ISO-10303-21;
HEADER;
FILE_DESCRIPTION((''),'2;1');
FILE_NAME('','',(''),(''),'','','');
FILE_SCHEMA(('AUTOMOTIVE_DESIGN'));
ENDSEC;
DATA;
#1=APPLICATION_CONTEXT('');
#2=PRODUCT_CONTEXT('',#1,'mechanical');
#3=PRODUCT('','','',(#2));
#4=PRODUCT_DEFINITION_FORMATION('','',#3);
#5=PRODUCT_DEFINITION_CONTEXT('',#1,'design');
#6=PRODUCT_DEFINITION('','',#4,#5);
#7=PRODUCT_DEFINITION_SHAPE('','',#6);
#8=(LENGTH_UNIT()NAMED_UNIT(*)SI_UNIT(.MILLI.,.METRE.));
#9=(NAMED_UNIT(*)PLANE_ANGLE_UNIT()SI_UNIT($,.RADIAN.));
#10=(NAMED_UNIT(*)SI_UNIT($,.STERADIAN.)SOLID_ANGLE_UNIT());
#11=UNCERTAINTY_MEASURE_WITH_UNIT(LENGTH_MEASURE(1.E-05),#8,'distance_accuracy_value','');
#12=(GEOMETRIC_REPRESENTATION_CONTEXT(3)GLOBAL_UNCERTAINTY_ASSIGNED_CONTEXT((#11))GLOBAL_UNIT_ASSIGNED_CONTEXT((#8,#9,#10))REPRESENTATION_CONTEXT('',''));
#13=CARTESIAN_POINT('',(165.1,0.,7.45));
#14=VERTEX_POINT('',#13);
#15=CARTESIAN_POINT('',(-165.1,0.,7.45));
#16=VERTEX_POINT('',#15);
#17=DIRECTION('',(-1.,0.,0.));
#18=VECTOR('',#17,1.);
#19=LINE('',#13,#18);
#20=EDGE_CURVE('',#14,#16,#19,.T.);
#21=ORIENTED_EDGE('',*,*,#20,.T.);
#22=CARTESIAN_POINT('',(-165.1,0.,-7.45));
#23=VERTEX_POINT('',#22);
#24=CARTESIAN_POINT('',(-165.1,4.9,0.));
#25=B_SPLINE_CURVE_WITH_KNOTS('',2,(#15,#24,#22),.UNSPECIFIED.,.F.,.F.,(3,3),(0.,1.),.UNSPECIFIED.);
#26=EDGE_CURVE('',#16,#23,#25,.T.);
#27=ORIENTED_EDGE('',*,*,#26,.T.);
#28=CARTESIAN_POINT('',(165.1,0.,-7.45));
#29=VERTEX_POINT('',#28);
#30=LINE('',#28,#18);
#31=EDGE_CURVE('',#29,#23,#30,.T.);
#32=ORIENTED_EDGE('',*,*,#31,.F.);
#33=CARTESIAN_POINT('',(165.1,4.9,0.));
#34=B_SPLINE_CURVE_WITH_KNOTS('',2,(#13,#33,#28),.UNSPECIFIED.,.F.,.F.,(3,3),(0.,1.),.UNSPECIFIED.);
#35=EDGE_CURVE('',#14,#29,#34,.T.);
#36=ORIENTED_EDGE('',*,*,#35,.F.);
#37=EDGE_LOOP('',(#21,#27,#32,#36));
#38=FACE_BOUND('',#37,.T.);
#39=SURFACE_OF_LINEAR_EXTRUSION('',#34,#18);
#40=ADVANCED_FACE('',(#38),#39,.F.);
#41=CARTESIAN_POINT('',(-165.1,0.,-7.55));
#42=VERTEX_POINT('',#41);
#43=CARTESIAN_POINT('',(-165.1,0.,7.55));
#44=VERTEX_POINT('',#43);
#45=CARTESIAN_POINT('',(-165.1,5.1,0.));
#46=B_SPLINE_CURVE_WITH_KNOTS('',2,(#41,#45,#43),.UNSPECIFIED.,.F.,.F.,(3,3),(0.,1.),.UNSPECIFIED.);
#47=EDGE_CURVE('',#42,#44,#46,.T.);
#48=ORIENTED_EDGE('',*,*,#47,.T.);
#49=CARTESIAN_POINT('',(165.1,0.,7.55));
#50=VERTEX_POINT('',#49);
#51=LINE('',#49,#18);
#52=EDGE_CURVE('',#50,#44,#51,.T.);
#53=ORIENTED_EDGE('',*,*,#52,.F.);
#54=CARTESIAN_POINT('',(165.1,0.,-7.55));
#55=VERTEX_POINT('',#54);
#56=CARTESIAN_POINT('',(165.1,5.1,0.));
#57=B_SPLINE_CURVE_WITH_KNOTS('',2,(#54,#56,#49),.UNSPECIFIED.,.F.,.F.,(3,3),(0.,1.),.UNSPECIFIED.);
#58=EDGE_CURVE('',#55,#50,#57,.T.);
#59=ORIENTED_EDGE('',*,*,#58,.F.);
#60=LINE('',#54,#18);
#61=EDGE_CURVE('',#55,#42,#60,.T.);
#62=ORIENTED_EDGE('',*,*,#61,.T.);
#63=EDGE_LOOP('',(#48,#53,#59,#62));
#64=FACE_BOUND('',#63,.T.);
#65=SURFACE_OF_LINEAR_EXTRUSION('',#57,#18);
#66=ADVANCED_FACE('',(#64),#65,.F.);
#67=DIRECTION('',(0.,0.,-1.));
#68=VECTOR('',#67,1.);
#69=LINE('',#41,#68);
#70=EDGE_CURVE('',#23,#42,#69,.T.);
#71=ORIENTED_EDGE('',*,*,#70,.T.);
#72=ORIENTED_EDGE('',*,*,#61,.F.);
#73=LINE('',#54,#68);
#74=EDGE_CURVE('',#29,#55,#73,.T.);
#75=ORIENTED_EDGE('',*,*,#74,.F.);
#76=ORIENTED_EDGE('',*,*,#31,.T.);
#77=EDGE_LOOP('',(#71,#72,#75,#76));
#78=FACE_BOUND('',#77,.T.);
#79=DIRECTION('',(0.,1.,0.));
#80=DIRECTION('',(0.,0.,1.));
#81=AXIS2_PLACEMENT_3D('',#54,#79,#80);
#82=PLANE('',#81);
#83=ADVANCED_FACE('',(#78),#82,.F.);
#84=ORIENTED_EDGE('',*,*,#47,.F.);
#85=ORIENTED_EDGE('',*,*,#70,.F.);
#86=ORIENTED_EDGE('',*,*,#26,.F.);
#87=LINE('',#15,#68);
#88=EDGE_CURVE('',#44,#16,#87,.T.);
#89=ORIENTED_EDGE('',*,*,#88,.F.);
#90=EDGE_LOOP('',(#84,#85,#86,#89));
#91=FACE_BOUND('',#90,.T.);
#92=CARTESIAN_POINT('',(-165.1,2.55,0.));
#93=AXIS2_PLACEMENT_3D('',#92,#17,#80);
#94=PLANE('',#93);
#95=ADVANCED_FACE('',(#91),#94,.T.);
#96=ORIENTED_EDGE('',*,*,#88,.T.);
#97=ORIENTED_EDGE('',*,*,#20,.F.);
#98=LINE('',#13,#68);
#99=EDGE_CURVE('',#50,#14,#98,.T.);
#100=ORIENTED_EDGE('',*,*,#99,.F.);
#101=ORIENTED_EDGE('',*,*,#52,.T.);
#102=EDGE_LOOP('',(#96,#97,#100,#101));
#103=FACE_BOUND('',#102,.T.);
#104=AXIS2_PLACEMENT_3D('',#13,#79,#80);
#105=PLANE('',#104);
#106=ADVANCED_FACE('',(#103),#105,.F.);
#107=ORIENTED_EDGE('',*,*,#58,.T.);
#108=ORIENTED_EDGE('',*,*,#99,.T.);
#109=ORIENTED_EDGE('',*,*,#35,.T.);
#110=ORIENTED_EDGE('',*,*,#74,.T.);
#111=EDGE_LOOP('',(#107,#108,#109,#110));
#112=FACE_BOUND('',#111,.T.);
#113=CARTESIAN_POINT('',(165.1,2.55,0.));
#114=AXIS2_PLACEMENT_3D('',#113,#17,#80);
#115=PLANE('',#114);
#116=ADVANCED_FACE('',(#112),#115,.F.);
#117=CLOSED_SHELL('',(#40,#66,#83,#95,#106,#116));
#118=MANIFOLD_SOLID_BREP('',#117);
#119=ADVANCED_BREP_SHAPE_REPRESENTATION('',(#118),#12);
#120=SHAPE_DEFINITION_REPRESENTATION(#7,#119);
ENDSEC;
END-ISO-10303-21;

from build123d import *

# Parameters (mm, degrees)
BOSS_EXTRUDE1_DEPTH = 165.1


with BuildPart() as part:
    # Sketch1 → Boss-Extrude1 (new body, symmetric)
    with BuildSketch(Plane(origin=(0, 0, 0), x_dir=(0, 0, -1), z_dir=(1, 0, 0))):
        with BuildLine():
            Line((7.55, 0), (7.45, 0))
            add(Edge.make_bspline(
                [(-7.45, 0), (0, 4.9), (7.45, 0)],
                knots=[0, 0, 0, 1, 1, 1], degree=2))
            Line((-7.45, 0), (-7.55, 0))
            add(Edge.make_bspline(
                [(7.55, 0), (0, 5.1), (-7.55, 0)],
                knots=[0, 0, 0, 1, 1, 1], degree=2))
        make_face()
    extrude(amount=BOSS_EXTRUDE1_DEPTH, both=True)


solid = part.part
